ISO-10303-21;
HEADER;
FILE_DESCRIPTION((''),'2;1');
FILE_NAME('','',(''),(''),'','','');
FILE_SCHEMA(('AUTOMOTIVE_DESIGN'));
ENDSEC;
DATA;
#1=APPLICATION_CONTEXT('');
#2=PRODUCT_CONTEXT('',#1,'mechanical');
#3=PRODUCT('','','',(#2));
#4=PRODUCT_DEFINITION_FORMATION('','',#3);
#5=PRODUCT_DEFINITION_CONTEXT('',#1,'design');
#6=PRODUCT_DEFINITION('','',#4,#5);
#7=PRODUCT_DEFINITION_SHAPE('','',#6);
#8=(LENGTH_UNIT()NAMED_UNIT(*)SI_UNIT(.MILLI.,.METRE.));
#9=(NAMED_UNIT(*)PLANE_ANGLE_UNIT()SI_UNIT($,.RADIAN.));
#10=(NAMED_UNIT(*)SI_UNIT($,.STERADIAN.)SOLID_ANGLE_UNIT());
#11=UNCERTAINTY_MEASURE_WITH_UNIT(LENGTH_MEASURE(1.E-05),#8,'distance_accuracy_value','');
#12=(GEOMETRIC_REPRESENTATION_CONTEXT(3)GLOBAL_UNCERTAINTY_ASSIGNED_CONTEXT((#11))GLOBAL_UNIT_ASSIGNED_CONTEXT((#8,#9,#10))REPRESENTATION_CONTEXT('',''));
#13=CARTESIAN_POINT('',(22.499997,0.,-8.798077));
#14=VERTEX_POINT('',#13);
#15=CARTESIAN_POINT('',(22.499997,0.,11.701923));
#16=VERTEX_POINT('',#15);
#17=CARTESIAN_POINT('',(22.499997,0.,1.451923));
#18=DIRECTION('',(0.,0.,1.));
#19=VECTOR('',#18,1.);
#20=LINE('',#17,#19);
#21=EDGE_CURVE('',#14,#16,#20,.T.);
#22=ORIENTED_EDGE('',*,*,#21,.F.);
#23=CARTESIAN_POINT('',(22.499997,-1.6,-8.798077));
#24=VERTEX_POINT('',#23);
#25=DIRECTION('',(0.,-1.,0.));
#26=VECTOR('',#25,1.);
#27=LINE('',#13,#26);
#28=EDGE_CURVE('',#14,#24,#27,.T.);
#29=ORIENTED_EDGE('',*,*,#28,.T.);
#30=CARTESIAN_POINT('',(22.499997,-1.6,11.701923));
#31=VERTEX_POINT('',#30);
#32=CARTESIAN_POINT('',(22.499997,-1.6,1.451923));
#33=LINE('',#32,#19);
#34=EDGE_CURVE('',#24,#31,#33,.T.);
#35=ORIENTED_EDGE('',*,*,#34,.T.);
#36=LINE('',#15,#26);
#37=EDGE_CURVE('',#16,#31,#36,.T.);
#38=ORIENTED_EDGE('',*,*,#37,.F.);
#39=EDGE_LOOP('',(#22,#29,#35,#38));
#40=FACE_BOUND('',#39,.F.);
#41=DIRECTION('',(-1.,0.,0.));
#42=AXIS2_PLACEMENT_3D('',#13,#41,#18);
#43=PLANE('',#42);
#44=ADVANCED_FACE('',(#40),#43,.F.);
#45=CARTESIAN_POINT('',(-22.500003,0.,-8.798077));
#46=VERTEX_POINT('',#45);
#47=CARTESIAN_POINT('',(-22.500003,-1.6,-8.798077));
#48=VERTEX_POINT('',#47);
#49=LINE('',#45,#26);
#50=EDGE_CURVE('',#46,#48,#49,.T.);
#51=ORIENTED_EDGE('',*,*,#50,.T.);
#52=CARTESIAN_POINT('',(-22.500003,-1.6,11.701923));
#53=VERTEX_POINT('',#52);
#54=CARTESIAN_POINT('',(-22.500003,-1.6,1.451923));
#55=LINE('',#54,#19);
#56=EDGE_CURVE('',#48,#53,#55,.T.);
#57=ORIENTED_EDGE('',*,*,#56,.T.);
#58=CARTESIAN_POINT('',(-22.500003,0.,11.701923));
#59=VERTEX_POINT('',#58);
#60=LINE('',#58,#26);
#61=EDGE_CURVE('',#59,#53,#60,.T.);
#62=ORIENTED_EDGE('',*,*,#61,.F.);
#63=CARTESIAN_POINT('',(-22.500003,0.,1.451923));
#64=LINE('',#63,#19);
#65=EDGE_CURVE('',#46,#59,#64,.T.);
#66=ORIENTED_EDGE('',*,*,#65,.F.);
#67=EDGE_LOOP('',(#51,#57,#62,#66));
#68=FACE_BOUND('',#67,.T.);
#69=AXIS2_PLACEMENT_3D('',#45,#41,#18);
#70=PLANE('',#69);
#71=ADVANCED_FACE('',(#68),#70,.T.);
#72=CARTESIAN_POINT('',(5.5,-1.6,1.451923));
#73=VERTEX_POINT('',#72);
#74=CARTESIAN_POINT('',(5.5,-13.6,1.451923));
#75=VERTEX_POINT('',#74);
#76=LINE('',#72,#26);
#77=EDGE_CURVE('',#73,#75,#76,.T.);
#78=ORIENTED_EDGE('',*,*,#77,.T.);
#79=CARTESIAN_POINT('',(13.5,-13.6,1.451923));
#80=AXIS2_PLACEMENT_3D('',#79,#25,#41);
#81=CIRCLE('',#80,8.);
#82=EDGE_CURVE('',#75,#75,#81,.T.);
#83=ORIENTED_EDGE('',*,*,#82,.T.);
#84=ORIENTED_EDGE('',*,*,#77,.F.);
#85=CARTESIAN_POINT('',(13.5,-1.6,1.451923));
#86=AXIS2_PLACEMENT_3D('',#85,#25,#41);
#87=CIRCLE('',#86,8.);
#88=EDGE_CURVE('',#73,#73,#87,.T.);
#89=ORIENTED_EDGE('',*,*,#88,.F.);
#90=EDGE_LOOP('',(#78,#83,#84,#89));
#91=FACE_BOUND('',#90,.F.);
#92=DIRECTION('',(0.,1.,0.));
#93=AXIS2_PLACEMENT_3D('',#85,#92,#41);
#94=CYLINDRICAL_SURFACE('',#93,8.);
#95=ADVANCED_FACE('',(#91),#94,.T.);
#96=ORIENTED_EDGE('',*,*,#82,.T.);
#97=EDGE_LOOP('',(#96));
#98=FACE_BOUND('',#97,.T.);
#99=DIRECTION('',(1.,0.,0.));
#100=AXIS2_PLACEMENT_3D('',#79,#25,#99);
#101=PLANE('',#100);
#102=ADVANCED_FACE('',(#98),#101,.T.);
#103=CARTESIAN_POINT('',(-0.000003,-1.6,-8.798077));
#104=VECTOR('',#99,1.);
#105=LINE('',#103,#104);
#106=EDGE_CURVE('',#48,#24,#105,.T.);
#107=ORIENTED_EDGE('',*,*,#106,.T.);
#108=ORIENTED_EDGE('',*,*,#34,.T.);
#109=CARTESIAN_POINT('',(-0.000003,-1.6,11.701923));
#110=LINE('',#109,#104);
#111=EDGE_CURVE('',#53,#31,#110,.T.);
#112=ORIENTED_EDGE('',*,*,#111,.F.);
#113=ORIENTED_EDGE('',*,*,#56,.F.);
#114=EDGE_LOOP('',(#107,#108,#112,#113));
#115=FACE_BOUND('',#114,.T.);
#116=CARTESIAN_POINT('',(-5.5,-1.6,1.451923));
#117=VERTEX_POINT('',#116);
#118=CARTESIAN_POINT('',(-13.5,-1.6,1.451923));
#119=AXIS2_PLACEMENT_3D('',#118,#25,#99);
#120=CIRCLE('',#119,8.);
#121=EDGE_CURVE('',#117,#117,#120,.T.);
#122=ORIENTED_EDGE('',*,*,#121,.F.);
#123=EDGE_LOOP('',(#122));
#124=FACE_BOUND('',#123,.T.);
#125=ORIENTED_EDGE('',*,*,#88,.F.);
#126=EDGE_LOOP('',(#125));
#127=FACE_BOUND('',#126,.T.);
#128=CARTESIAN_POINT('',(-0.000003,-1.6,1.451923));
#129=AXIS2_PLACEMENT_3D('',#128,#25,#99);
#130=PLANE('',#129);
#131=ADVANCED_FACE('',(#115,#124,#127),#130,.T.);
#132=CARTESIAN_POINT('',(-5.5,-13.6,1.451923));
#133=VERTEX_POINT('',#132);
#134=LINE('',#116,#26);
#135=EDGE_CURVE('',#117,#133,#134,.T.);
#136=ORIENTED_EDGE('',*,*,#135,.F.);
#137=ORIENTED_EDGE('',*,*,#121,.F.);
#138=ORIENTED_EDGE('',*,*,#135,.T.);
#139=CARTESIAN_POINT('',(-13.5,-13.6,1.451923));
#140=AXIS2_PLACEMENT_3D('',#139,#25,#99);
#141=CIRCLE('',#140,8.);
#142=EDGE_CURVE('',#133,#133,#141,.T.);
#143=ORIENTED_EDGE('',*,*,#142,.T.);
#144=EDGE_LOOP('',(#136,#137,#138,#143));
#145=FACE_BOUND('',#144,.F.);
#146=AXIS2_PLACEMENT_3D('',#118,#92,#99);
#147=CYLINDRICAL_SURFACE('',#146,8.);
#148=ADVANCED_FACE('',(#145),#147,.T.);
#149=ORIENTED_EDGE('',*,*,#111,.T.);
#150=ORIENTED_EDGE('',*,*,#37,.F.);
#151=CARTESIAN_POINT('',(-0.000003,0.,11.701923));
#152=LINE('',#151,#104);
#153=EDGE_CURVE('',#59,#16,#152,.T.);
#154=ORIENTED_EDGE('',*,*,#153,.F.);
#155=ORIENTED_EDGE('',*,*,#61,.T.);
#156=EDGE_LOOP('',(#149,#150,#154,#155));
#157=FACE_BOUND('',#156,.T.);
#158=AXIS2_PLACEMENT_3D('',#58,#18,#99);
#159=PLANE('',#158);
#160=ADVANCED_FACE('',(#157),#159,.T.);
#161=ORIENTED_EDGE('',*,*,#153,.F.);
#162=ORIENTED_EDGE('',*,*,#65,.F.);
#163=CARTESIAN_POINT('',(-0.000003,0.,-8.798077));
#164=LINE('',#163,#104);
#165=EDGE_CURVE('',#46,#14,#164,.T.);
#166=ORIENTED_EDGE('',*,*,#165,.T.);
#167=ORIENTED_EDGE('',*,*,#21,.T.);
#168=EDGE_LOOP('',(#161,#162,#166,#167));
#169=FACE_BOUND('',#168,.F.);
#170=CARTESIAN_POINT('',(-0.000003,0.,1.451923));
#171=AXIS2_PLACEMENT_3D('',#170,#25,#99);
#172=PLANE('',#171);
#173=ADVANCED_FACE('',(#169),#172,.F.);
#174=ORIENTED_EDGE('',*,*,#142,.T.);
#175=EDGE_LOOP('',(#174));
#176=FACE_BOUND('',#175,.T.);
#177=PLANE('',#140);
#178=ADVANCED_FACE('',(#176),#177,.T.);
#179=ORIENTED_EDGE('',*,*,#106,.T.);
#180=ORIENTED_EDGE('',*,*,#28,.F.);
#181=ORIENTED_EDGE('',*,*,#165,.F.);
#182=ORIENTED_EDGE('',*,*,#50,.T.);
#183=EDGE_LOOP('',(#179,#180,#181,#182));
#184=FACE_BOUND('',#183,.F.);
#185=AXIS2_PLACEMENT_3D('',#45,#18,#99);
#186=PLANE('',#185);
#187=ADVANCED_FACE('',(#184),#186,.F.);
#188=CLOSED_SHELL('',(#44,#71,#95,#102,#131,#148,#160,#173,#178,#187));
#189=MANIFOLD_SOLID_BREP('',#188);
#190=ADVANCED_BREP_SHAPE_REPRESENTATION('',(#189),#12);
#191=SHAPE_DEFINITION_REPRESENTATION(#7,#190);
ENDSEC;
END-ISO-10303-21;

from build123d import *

# Parameters (mm, degrees)
F0_W     = 45
F0_H     = 20.5
F1_DEPTH = 1.6
F2_R     = 8
F3_DEPTH = 12


with BuildPart() as f1:
    # F0 (on Front) → F1 (new body)
    with BuildSketch(Plane.XZ):
        with Locations((-3e-06, 1.451923)):
            Rectangle(F0_W, F0_H)
    extrude(amount=F1_DEPTH)

    # F2 (on face) → F3 (join)
    with BuildSketch(Plane.XZ.offset(1.6)):
        with Locations((-13.5, 1.451923)):
            Circle(F2_R)
        with BuildLine():
            ThreePointArc((21.5, 1.451923), (13.5, 9.451923), (5.5, 1.451923))
            ThreePointArc((5.5, 1.451923), (13.5, -6.548077), (21.5, 1.451923))
        make_face()
    extrude(amount=F3_DEPTH)


solid = f1.part
